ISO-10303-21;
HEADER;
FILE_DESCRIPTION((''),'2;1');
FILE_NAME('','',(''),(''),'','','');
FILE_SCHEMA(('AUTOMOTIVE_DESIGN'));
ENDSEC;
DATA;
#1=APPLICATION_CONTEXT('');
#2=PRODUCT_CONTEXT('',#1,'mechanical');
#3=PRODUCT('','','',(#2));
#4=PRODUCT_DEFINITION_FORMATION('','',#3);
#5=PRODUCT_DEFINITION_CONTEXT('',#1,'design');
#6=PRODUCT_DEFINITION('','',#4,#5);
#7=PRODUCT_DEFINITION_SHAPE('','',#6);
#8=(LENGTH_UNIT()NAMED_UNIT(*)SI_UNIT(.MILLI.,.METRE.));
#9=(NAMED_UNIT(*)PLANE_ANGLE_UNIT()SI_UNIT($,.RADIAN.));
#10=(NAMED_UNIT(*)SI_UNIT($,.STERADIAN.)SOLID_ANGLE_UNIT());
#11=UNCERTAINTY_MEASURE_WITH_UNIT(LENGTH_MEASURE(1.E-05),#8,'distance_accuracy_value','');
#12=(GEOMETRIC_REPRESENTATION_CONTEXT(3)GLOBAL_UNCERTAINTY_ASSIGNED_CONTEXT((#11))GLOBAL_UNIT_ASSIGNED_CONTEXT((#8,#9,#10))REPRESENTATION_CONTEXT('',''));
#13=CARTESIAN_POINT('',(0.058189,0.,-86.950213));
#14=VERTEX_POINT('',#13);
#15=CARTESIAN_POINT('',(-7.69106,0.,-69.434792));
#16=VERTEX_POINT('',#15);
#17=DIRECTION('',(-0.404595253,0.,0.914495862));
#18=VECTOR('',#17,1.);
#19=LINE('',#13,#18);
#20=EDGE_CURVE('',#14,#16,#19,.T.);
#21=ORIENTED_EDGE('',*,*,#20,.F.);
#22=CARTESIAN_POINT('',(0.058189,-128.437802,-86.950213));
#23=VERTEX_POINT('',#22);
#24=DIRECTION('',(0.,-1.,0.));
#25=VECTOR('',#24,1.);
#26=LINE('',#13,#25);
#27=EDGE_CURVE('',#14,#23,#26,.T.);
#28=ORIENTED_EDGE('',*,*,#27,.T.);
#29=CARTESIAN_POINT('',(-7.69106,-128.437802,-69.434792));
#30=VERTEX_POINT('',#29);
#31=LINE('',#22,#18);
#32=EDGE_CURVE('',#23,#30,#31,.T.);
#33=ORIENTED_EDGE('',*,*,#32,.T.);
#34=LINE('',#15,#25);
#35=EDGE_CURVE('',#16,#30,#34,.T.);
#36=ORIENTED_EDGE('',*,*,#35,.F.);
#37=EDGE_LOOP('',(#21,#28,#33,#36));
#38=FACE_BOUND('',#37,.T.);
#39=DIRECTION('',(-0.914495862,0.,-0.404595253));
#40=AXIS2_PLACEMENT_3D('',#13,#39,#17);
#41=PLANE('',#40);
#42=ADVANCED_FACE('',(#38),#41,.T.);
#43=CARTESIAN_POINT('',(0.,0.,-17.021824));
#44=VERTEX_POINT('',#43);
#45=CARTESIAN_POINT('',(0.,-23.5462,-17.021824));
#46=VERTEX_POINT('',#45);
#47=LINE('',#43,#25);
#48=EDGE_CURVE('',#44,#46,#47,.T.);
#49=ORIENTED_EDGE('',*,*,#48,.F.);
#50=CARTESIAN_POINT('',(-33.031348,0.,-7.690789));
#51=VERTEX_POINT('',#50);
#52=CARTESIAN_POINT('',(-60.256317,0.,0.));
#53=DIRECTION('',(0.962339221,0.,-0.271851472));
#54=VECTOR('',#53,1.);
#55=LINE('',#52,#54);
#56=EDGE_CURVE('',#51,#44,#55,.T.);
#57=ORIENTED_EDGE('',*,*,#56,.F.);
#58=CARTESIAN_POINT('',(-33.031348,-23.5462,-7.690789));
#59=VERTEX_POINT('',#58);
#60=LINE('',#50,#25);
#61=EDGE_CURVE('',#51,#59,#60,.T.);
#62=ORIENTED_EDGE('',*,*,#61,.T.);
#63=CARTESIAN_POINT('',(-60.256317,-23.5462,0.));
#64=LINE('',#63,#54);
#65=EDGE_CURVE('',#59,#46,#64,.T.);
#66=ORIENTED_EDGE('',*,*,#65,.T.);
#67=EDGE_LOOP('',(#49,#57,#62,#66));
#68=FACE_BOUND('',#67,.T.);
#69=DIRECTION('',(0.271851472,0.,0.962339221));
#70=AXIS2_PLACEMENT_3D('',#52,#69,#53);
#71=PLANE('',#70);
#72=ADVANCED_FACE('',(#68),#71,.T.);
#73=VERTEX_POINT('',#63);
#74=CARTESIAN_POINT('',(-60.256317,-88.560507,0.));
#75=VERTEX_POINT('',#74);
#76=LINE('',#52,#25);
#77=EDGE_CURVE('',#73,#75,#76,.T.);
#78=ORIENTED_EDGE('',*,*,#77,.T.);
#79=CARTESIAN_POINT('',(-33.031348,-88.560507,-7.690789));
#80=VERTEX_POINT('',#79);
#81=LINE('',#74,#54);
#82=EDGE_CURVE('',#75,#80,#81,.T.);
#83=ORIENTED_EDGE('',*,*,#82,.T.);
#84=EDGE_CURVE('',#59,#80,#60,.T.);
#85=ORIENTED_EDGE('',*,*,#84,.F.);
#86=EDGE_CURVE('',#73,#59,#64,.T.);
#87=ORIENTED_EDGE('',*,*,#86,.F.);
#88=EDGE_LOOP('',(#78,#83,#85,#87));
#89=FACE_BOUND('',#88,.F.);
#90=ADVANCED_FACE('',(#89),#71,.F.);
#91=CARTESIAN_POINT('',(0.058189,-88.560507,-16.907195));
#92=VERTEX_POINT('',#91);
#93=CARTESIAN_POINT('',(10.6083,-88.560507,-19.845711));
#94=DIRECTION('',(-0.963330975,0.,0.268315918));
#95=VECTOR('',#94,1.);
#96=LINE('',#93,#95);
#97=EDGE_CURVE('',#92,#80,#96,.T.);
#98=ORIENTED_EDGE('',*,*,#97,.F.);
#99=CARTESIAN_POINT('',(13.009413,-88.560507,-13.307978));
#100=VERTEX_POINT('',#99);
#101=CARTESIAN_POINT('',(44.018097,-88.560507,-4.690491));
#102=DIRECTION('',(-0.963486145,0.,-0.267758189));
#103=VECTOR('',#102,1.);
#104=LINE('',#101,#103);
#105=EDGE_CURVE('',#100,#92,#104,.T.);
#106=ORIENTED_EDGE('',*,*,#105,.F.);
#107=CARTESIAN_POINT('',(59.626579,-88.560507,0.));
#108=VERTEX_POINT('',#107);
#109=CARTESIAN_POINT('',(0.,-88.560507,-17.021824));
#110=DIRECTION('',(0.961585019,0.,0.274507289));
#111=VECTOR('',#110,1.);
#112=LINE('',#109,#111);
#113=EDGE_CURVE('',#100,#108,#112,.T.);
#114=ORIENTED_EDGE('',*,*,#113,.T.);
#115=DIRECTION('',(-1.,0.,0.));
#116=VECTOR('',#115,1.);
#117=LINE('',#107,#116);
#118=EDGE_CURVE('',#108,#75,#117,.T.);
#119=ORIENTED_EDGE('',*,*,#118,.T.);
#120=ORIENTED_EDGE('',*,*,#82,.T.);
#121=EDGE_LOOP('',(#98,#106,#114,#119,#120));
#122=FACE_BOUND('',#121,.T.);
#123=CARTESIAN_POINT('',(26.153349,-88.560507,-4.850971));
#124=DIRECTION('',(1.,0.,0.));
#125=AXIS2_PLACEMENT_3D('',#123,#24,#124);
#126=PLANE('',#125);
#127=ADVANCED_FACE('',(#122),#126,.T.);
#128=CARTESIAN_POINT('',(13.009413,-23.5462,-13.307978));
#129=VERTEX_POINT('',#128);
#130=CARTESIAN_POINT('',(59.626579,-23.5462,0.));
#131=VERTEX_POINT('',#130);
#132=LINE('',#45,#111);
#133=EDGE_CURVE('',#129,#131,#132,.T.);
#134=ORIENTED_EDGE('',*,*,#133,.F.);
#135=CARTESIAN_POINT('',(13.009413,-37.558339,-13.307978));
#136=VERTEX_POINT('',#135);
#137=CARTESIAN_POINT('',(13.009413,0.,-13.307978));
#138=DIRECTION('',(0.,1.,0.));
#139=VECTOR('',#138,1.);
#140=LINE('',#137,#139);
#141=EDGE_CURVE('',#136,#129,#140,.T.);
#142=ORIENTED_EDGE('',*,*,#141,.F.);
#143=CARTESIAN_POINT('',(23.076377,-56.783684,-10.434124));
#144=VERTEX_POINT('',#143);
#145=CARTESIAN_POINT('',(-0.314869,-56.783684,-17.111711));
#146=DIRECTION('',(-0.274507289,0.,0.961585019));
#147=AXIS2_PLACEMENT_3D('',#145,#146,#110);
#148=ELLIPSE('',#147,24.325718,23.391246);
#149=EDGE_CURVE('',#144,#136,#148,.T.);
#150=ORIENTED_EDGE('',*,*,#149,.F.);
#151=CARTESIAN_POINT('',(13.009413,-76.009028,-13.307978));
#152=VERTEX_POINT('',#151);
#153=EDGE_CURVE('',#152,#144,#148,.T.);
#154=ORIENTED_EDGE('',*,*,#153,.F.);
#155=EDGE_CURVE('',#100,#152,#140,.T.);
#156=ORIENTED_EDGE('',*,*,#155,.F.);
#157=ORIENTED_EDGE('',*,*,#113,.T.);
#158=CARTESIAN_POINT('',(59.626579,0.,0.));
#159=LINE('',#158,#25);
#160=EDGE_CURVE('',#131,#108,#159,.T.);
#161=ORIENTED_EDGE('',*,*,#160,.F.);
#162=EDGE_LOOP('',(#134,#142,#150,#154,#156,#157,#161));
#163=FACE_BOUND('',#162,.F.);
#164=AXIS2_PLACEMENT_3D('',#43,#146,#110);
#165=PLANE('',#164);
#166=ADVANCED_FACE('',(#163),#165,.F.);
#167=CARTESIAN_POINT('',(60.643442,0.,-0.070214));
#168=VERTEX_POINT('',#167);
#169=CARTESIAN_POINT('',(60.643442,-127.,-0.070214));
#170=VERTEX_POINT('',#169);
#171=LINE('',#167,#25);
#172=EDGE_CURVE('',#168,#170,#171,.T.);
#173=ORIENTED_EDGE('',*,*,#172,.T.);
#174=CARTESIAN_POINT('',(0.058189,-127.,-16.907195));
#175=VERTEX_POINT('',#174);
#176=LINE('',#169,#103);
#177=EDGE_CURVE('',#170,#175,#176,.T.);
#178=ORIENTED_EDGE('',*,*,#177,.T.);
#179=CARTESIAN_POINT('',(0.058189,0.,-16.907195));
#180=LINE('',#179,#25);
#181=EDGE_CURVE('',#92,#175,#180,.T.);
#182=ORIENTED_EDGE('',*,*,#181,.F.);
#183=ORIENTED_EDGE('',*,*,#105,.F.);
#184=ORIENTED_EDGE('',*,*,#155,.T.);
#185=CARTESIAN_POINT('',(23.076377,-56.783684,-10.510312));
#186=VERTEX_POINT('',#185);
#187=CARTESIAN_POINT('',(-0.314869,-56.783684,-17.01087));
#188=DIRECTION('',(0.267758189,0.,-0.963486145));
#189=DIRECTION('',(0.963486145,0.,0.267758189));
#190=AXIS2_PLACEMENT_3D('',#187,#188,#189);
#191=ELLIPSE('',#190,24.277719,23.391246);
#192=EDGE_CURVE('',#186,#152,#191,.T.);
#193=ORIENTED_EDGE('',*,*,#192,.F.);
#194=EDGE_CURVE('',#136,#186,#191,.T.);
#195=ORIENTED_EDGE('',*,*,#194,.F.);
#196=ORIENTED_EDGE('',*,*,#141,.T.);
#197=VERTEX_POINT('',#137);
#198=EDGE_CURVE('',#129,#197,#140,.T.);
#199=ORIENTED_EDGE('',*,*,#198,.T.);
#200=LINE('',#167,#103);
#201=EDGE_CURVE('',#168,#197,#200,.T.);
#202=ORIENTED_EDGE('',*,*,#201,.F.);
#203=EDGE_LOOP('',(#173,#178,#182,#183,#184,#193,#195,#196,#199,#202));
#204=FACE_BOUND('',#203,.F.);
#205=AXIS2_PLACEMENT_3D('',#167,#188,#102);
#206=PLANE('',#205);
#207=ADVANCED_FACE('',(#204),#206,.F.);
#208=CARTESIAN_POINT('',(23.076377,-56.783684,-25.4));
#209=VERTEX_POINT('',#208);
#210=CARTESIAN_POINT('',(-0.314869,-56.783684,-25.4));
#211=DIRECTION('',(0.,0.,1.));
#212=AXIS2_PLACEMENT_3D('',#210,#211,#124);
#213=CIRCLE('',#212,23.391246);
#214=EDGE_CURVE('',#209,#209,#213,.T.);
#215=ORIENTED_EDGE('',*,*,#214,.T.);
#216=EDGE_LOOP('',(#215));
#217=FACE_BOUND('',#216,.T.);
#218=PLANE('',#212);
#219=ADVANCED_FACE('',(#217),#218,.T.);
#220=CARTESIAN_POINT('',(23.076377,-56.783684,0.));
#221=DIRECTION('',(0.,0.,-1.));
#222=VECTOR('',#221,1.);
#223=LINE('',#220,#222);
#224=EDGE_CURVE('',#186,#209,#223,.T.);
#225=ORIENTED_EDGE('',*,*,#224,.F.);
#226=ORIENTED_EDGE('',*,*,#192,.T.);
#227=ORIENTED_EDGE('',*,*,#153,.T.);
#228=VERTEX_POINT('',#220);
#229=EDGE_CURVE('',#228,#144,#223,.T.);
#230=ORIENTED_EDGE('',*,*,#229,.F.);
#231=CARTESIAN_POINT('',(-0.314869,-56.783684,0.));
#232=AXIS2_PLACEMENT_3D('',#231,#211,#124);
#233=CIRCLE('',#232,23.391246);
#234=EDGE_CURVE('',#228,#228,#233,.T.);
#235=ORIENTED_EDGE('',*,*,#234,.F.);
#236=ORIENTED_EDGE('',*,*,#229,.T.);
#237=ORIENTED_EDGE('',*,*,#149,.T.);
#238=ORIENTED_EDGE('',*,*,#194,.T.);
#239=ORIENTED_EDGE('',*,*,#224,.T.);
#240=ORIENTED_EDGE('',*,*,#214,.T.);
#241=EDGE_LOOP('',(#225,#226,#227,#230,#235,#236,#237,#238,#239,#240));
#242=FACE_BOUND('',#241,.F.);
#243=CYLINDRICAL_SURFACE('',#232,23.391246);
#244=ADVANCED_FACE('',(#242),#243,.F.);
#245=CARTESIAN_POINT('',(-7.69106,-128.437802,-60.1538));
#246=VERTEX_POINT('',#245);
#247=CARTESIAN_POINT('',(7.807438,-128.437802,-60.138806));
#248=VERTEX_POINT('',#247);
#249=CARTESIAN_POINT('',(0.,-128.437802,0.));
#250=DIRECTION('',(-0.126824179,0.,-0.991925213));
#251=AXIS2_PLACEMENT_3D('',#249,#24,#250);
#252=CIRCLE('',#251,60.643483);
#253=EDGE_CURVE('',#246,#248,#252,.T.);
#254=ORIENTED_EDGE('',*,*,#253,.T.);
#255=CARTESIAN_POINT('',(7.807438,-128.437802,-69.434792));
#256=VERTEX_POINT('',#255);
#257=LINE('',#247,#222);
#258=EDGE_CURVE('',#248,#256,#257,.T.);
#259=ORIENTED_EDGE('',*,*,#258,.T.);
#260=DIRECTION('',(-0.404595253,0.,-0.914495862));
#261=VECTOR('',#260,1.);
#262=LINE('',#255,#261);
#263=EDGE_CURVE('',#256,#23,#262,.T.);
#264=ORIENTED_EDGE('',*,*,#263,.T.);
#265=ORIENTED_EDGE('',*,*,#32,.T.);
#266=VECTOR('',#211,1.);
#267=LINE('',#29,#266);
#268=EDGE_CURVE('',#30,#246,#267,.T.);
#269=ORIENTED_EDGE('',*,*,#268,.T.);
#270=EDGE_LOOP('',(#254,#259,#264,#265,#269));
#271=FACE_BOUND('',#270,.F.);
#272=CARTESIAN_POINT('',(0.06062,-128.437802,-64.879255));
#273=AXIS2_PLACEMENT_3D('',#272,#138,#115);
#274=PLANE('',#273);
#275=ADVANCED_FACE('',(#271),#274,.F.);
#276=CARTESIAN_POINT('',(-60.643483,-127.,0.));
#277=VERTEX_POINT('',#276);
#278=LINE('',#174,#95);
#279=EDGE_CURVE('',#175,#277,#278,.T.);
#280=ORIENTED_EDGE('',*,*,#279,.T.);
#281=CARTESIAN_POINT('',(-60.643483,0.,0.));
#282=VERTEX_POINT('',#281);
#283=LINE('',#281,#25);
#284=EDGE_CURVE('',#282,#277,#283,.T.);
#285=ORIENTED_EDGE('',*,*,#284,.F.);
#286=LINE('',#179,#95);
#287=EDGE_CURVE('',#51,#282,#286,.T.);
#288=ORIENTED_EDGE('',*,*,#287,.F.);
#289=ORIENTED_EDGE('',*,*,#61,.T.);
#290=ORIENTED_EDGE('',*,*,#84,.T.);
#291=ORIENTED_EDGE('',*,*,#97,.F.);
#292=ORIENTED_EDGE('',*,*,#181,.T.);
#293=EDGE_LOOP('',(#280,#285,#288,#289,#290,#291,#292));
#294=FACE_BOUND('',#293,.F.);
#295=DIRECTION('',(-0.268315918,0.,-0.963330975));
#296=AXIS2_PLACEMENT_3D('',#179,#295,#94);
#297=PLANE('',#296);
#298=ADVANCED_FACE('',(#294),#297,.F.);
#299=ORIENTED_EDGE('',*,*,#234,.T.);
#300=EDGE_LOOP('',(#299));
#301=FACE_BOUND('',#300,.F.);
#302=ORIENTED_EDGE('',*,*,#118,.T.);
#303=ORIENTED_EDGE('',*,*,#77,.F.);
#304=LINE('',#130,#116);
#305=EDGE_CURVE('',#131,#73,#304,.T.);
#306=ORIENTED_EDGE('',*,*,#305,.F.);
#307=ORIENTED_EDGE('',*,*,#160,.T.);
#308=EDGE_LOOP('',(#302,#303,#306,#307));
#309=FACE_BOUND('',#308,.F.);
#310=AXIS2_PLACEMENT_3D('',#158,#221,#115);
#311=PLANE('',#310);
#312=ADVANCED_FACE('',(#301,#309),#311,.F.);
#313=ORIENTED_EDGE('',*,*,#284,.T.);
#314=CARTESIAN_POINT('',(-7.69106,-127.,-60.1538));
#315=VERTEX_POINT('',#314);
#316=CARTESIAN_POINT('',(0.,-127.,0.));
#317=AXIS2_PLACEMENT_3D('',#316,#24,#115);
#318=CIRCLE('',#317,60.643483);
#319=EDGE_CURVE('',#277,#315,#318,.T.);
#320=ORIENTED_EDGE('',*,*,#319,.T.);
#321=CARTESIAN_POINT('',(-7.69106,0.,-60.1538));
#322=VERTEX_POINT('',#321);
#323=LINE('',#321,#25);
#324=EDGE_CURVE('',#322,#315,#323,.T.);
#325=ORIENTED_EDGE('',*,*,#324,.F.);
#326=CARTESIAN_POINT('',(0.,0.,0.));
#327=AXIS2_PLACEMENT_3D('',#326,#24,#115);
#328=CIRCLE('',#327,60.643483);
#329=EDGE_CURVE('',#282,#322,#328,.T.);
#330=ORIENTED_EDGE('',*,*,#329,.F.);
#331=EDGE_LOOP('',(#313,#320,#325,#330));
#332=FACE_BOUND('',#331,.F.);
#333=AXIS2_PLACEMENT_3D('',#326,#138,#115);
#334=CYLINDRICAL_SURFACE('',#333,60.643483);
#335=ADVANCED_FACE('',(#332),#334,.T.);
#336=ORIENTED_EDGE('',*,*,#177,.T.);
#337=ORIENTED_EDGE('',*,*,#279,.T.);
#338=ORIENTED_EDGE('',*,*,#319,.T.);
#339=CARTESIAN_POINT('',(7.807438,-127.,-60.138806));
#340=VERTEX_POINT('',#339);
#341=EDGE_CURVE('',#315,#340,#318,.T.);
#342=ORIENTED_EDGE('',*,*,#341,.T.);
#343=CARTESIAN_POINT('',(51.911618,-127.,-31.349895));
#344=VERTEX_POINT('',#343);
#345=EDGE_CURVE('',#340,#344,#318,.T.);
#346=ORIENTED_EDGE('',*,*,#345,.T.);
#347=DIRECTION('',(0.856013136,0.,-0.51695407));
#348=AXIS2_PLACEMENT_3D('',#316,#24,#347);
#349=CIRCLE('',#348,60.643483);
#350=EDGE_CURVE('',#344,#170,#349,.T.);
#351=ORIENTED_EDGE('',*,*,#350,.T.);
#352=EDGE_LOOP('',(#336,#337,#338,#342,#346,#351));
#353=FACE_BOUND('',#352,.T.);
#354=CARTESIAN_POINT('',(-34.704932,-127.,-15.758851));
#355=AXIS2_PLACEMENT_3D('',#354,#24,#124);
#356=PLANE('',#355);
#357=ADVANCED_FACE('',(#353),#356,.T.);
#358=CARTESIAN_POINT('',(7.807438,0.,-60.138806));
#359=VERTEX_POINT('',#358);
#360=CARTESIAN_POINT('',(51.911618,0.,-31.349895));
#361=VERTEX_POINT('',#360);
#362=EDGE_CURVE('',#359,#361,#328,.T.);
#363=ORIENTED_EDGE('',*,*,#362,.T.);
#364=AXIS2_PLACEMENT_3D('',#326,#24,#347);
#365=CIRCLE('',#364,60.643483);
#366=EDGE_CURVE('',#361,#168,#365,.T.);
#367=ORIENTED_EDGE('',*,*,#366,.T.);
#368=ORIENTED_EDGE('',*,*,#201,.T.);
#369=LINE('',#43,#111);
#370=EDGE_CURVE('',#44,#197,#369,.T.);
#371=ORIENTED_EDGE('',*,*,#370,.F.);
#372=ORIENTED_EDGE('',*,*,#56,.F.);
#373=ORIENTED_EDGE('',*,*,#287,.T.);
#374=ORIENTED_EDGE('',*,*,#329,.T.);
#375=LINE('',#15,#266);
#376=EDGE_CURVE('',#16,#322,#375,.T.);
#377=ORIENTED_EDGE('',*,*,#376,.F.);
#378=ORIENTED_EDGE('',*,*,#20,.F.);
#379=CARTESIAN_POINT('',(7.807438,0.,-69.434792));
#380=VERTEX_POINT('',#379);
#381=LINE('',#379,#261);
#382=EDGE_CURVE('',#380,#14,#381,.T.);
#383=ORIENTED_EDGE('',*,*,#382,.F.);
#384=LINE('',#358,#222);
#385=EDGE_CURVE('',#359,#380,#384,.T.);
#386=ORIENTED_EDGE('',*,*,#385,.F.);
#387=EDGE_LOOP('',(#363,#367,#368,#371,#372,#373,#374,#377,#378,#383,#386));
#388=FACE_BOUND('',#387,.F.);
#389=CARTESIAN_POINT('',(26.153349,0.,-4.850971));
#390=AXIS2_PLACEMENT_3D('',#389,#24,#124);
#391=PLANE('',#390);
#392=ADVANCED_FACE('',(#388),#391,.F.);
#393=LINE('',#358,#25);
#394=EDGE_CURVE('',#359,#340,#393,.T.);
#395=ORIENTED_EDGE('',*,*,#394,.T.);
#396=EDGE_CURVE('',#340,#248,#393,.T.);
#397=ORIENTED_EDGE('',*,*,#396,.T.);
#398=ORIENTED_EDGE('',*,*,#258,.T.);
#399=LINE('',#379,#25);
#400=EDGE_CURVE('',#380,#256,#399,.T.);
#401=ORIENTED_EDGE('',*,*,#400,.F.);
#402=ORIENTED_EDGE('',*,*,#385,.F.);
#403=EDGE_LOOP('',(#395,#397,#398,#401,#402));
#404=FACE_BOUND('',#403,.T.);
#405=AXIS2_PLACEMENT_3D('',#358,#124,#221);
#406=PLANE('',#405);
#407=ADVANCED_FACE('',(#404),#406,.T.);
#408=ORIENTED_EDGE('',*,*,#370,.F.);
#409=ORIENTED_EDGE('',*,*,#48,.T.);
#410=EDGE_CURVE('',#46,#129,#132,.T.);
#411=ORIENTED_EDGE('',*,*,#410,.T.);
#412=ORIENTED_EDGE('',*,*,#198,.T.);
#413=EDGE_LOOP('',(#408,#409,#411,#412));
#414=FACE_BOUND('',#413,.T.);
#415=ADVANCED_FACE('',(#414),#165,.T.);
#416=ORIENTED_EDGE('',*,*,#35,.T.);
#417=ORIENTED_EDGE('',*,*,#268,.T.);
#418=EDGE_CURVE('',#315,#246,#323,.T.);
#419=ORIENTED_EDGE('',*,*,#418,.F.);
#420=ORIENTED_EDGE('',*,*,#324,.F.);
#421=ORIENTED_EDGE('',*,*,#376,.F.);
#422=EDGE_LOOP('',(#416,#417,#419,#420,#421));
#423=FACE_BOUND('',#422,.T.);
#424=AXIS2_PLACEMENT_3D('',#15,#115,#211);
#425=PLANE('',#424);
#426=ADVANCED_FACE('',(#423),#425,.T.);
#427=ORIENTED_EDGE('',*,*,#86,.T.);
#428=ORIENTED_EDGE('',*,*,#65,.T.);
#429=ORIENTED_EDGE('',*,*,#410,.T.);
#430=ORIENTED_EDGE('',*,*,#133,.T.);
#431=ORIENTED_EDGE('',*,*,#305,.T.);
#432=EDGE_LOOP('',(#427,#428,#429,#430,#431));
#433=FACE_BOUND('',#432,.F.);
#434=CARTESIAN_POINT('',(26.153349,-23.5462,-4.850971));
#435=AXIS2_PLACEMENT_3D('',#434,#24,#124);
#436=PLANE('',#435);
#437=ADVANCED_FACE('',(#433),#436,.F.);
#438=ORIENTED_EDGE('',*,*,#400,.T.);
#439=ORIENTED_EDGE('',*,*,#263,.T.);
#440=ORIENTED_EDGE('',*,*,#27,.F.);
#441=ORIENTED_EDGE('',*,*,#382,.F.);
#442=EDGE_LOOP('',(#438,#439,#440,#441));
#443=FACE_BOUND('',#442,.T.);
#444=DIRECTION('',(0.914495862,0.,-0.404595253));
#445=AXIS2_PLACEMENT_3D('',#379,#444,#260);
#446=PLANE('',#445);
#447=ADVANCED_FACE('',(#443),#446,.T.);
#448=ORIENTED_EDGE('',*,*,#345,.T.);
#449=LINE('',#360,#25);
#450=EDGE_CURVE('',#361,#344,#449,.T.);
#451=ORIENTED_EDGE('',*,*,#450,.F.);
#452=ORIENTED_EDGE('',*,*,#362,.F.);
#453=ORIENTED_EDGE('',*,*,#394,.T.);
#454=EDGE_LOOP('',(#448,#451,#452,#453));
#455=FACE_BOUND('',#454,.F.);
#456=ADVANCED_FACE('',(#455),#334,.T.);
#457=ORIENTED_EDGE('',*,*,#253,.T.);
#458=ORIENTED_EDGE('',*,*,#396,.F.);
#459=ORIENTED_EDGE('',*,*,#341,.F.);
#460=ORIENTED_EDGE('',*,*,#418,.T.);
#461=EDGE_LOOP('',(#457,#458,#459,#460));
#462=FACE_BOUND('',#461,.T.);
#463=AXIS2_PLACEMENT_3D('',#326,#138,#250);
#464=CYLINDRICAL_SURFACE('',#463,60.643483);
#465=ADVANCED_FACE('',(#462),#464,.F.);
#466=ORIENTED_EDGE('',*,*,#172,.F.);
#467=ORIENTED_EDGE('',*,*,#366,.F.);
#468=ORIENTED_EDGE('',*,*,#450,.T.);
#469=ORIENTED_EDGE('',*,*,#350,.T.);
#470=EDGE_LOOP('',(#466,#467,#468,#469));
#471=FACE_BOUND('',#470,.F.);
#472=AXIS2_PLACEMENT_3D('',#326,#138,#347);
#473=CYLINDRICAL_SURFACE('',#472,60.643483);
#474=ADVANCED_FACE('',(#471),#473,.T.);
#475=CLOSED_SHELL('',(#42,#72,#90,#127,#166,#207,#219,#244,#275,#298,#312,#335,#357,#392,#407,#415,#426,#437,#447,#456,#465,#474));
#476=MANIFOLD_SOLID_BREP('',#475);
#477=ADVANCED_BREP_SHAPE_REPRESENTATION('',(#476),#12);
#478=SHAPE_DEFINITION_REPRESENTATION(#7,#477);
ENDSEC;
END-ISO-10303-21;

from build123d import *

# Parameters (mm, degrees)
F1_DEPTH = 127
F3_DEPTH = 128.4378021955
F5_DEPTH = 88.5605067015
F6_DEPTH = 23.5462002456
F7_R     = 23.3912457605
F8_DEPTH = 25.4


with BuildPart() as f1:
    # F0 (on Front) → F1 (new body)
    with BuildSketch(Plane.XZ):
        with BuildLine():
            Line((0.0581891033, -16.9071952176), (-60.6434829533, 0))
            ThreePointArc((-60.6434829533, 0), (-58.419745585, -16.2716117976), (-51.9116180406, -31.3498953286))
            Line((-51.9116180406, -31.3498953286), (0.0581891033, -16.9071952176))
        make_face()
        with BuildLine():
            Line((51.9116180406, -31.3498953286), (-51.9116180406, -31.3498953286))
            ThreePointArc((-51.9116180406, -31.3498953286), (0, -60.6434829533), (51.9116180406, -31.3498953286))
        make_face()
        Polygon((0.0581891033, -16.9071952176), (-51.9116180406, -31.3498953286), (51.9116180406, -31.3498953286), align=None)
        with BuildLine():
            Line((60.6434423053, -0.0702144545), (0.0581891033, -16.9071952176))
            Line((0.0581891033, -16.9071952176), (51.9116180406, -31.3498953286))
            ThreePointArc((51.9116180406, -31.3498953286), (58.4103159662, -16.3054289561), (60.6434423053, -0.0702144545))
        make_face()
    extrude(amount=F1_DEPTH)

    # F2 (on face) → F3 (join)
    with BuildSketch(Plane(origin=(0, 0, 0), x_dir=(-1, 0, 0), z_dir=(0, 1, 0))):
        with BuildLine():
            Line((-7.8074381221, -60.1388055641), (-7.8074381221, -69.4347918034))
            Line((-7.8074381221, -69.4347918034), (7.6910599156, -69.4347918034))
            Line((7.6910599156, -69.4347918034), (7.6910599156, -60.1537997311))
            ThreePointArc((7.6910599156, -60.153799731), (-0.0586700775, -60.6434545729), (-7.8074381221, -60.1388055641))
        make_face()
        Polygon((7.6910599156, -69.4347918034), (-7.8074381221, -69.4347918034), (-0.0581891033, -86.9502127171), align=None)
    extrude(amount=-F3_DEPTH)

    # F4 (on Front) → F5 (join)
    with BuildSketch(Plane.XZ):
        Polygon((59.6265792847, 0), (0, 0), (0, -17.0218236744), align=None)
        Polygon((0, -17.0218236744), (0, 0), (-60.2563172579, 0), align=None)
    extrude(amount=F5_DEPTH)

    # F4 (on Front) → F6 (cut)
    with BuildSketch(Plane.XZ):
        Polygon((59.6265792847, 0), (0, 0), (0, -17.0218236744), align=None)
        Polygon((0, -17.0218236744), (0, 0), (-60.2563172579, 0), align=None)
    extrude(amount=F6_DEPTH, mode=Mode.SUBTRACT)

    # F7 (on face) → F8 (cut)
    with BuildSketch(Plane.XY):
        with Locations((-0.3148689866, -56.783683598)):
            Circle(F7_R)
    extrude(amount=-F8_DEPTH, mode=Mode.SUBTRACT)


solid = f1.part
